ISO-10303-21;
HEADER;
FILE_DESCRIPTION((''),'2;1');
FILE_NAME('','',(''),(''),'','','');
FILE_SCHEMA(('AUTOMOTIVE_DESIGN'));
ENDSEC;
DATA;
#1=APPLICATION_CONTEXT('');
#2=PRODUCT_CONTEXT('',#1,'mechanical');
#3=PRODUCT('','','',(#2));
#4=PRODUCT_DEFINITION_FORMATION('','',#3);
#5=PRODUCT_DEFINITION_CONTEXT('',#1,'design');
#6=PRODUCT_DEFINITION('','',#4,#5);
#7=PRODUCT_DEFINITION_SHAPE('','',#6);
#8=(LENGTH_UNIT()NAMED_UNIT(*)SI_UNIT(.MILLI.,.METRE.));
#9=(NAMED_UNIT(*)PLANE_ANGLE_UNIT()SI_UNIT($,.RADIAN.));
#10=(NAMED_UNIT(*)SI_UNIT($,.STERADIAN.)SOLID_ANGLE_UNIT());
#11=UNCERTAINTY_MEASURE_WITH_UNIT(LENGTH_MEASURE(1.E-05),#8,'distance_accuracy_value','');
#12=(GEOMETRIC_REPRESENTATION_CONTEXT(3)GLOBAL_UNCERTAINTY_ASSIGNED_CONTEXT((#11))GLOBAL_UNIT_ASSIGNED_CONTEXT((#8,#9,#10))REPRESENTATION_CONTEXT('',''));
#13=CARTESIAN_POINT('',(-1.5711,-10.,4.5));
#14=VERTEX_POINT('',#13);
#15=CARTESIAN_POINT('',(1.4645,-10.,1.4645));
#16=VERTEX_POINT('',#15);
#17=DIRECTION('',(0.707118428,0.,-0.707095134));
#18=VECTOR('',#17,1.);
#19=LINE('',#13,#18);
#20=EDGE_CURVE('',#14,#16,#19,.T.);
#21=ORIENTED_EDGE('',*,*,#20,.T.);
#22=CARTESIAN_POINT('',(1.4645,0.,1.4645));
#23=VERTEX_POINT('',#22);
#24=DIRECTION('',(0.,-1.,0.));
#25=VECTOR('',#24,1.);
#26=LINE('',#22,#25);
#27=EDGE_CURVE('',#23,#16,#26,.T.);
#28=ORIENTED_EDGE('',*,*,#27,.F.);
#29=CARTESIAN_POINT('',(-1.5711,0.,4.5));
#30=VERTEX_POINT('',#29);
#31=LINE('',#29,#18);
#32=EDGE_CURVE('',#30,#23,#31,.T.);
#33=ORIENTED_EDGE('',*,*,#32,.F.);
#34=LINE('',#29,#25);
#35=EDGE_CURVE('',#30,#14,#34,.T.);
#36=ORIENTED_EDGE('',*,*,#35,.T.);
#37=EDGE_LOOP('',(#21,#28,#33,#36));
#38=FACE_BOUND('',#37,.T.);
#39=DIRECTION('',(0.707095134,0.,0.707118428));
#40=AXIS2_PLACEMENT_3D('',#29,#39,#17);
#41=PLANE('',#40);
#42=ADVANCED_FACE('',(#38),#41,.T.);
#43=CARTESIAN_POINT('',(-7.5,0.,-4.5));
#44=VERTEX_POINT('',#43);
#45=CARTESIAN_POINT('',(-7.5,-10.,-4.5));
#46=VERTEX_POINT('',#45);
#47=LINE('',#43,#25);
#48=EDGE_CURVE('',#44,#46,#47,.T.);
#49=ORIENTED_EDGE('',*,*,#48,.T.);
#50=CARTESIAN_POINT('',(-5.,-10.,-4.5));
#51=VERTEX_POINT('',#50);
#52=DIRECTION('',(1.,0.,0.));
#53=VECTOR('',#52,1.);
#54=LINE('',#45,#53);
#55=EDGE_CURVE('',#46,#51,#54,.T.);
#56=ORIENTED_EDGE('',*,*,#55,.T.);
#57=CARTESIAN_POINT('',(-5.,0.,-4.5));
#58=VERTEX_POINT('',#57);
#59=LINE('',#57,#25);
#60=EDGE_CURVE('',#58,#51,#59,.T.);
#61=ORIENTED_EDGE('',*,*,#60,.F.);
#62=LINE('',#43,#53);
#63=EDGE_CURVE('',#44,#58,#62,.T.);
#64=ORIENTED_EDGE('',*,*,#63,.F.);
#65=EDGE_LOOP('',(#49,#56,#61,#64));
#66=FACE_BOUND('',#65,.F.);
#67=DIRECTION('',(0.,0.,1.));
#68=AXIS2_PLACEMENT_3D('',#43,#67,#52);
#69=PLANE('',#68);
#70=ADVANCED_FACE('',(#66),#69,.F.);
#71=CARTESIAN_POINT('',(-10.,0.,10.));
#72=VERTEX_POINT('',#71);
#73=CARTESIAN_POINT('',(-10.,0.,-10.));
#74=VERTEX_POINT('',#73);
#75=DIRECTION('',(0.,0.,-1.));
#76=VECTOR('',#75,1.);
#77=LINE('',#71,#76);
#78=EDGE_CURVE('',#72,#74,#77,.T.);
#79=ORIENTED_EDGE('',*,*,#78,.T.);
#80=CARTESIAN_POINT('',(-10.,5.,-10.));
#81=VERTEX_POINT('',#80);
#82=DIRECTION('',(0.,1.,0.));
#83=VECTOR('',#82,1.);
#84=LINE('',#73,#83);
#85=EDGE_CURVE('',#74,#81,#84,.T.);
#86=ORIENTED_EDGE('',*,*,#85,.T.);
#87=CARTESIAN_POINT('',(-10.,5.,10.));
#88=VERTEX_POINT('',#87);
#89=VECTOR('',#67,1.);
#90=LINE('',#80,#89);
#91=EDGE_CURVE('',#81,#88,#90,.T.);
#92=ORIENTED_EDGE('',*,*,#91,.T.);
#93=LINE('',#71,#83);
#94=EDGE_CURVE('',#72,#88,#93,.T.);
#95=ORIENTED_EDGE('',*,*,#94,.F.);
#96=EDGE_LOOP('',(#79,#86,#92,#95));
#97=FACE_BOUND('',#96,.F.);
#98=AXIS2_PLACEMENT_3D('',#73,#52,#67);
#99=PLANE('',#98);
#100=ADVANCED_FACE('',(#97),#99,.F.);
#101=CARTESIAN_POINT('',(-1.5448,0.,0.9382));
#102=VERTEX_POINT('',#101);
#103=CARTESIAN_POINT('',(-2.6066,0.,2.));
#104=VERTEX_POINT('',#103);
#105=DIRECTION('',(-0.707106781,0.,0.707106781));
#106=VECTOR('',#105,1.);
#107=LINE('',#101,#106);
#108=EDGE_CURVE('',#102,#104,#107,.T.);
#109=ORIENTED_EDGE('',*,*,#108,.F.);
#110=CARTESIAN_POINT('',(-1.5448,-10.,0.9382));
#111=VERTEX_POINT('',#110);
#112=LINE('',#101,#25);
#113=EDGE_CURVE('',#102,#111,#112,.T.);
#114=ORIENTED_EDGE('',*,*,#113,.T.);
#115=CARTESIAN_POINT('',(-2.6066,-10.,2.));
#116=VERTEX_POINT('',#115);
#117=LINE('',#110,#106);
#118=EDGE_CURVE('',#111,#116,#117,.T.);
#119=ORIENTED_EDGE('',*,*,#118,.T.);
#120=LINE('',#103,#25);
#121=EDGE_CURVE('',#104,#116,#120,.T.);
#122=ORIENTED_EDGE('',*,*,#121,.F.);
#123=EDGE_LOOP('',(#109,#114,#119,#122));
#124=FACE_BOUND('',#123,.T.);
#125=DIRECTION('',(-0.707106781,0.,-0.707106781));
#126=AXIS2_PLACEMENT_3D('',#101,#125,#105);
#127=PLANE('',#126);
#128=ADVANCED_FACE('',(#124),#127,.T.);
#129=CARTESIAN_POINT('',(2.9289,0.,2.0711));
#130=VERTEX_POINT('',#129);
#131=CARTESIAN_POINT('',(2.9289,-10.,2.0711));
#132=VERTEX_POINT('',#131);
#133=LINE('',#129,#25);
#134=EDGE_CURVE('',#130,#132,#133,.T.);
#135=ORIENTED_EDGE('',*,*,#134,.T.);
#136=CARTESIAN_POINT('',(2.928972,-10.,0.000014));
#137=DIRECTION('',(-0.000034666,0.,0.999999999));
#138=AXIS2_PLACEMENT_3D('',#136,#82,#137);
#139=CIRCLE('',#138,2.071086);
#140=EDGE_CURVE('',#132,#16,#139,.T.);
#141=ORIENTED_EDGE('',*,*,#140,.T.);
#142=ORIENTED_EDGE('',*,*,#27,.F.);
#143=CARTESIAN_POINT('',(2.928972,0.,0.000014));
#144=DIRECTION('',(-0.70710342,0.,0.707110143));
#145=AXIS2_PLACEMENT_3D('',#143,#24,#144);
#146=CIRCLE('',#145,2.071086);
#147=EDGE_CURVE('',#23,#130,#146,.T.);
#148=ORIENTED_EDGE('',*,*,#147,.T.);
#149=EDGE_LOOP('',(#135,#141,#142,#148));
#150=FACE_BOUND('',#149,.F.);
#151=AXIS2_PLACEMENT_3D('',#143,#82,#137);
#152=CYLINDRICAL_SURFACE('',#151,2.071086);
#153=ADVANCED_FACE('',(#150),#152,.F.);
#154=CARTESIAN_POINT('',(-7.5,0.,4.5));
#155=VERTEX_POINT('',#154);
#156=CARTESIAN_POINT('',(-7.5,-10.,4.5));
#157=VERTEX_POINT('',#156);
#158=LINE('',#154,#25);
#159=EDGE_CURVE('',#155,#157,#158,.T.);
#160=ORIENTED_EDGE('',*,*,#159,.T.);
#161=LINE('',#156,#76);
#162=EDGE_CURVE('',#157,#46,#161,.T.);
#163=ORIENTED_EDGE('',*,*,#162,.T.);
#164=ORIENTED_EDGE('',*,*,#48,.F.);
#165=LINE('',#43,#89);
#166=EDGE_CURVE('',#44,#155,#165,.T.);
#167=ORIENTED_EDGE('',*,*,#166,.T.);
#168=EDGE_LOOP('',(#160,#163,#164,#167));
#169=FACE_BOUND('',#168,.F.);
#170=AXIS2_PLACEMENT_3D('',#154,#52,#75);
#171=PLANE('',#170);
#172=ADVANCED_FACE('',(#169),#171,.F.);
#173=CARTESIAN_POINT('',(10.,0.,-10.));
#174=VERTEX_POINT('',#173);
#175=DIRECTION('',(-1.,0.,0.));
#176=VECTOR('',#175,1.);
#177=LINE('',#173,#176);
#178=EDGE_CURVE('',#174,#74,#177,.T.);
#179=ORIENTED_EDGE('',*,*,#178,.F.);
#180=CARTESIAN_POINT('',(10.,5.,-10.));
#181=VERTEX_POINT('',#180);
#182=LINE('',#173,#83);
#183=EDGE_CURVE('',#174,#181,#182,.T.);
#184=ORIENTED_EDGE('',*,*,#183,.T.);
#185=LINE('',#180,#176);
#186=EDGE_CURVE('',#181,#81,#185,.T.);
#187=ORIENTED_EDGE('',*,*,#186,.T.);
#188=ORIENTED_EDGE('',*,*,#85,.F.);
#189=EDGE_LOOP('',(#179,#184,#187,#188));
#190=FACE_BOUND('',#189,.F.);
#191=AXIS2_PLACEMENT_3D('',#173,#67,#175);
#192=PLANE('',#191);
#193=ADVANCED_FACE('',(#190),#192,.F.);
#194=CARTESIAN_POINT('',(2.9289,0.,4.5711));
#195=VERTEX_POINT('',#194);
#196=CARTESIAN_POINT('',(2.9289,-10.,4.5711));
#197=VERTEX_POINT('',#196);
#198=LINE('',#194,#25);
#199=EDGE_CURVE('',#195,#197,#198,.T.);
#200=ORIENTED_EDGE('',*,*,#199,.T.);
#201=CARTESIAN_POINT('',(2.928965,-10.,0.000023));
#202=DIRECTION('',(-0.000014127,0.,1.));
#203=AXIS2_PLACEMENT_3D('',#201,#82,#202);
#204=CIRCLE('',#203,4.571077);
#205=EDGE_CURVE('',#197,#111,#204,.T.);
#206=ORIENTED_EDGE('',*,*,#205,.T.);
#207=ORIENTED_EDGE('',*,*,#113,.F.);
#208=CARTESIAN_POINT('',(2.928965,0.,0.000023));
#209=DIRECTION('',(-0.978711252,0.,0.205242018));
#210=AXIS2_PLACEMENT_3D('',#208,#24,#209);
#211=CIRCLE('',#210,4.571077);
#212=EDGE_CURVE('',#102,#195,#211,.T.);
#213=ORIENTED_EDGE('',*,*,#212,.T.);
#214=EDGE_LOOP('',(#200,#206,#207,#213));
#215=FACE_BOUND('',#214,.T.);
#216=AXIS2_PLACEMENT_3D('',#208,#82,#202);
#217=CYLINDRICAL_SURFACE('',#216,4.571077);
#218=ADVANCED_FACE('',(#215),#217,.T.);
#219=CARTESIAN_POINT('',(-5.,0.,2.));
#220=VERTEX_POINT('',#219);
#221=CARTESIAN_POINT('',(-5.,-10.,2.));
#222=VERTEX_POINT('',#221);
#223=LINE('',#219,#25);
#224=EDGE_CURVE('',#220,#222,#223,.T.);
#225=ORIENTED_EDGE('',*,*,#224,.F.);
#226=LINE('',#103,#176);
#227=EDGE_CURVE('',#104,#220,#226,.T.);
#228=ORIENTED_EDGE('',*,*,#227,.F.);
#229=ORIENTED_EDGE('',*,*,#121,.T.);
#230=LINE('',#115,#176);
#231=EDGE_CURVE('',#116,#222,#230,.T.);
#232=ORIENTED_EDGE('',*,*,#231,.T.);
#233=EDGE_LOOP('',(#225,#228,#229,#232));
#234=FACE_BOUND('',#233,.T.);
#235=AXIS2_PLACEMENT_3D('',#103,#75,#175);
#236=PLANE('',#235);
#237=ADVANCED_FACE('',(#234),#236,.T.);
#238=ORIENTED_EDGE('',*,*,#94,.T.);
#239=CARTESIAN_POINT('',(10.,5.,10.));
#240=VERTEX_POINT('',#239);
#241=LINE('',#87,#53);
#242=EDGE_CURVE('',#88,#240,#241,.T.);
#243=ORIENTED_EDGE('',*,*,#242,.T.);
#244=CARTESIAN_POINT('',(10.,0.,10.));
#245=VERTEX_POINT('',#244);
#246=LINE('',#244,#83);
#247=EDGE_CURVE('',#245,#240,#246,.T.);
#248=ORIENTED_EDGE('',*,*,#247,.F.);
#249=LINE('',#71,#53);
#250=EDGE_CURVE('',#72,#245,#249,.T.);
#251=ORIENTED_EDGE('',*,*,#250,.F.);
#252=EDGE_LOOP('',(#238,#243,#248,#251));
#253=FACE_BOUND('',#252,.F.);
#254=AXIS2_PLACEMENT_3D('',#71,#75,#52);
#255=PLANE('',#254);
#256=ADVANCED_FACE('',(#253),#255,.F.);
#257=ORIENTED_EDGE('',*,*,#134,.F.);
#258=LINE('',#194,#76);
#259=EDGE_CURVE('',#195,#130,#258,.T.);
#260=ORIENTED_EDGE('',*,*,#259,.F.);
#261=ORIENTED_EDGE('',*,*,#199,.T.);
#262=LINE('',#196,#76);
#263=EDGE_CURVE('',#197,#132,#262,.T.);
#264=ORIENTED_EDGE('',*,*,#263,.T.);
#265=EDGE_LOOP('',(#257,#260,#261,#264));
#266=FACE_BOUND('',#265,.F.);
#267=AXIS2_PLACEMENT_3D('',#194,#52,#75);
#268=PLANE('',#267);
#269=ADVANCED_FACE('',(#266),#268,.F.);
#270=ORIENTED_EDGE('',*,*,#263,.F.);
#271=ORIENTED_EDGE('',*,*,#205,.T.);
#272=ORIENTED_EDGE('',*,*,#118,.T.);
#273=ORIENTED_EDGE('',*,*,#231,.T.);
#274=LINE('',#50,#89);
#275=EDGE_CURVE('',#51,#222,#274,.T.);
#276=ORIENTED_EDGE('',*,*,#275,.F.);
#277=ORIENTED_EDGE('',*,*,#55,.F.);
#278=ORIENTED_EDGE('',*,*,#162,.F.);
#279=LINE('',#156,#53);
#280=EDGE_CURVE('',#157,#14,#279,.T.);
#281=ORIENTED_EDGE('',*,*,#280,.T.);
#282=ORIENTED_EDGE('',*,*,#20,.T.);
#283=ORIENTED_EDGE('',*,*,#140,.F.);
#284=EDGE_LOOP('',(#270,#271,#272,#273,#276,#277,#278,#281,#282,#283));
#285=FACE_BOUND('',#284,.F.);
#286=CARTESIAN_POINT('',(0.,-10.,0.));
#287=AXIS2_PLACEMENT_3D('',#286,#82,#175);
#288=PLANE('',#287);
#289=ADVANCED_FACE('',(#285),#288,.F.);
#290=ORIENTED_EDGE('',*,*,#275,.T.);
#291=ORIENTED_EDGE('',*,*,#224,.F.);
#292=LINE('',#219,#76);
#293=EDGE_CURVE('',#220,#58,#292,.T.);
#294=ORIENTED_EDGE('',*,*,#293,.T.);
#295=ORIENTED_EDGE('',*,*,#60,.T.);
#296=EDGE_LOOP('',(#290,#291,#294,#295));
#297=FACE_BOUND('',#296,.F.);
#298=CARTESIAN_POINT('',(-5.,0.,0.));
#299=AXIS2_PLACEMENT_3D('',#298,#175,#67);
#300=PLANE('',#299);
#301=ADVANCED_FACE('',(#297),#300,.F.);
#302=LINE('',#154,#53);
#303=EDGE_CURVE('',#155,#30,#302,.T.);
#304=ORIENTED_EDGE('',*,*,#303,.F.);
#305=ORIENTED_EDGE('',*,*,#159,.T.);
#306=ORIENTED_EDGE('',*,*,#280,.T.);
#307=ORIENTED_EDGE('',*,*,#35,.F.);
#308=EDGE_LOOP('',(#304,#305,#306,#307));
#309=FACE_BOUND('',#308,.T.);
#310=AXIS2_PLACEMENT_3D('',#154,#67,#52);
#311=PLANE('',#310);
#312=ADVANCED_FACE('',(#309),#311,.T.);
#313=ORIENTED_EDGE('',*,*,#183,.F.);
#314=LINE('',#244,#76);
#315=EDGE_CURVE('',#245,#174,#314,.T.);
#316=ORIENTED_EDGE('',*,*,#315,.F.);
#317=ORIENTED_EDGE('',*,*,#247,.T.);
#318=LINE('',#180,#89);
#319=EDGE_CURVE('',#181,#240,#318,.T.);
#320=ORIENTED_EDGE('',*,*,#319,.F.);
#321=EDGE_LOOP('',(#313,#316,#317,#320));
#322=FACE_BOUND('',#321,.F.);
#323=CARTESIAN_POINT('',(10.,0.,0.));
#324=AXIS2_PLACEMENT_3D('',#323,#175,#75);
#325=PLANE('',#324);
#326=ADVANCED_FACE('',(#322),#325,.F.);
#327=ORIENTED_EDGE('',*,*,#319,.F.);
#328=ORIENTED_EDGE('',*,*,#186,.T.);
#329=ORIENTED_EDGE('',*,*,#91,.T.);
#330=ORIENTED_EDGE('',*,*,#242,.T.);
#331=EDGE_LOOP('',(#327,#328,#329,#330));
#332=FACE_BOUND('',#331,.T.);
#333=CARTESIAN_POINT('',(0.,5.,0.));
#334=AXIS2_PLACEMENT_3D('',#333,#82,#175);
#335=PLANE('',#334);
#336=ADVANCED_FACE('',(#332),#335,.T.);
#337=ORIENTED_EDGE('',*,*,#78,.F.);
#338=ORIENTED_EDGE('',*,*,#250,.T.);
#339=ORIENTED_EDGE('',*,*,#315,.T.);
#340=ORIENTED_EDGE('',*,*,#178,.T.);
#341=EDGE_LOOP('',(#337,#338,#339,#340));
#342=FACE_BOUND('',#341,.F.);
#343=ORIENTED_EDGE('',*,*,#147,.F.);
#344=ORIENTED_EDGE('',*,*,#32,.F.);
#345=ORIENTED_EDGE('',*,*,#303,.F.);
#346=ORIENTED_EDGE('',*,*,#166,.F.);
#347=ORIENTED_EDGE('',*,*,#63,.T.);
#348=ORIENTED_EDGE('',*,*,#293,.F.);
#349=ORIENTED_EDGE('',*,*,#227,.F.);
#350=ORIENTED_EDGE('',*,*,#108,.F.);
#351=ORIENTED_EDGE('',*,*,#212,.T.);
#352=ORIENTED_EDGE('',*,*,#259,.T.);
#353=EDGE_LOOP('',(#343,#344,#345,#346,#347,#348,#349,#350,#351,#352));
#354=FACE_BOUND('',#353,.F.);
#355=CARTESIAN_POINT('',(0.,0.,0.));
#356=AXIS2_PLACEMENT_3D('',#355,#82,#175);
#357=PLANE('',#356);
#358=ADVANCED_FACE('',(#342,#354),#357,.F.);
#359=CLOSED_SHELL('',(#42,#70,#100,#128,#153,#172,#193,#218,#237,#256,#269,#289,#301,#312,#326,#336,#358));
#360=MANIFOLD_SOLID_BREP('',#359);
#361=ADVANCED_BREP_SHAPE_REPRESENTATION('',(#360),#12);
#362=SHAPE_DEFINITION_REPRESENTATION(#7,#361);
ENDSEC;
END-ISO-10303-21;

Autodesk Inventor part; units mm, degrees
ref_plane "YZ Plane" through (0, 0, 0) normal (1, 0, 0) x (0, 1, 0)
ref_plane "XZ Plane" through (0, 0, 0) normal (0, 1, 0) x (-1, 0, 0)
ref_plane "XY Plane" through (0, 0, 0) normal (0, 0, 1) x (1, 0, 0)
sketch "Sketch1" plane through (0, 0, 0) normal (0, 1, 0) x (-1, 0, 0)
  line L0 (-10, -10) -> (10, -10)
  line L1 (10, -10) -> (10, 10)
  line L2 (10, 10) -> (-10, 10)
  line L3 (-10, 10) -> (-10, -10)
  line L4 (-10, -10) -> (10, 10) construction
  line L5 (10, -10) -> (-10, 10) construction
  line L6 (7.5, 4.5) -> (7.5, -4.5)
  line L7 (7.5, -4.5) -> (5, -4.5)
  line L8 (5, -4.5) -> (5, 2)
  line L9 (7.5, 4.5) -> (1.5711, 4.5)
  arc A0 (-2.9289, 2.0711) -> (-1.4645, 1.4645) centre (-2.9289, 0) ccw
  line L10 (1.5711, 4.5) -> (-1.4645, 1.4645)
  line L11 (-7.5, 0) -> (-7.5, -3.5066) construction
  line L12 (14, 0) -> (-14, 0) projected
  arc A1 (-2.9289, 4.5711) -> (1.5448, 0.9382) centre (-2.9289, 0) ccw
  line L13 (-2.9289, 4.5711) -> (-2.9289, 2.0711)
  line L14 (1.5448, 0.9382) -> (2.6066, 2)
  line L15 (2.6066, 2) -> (5, 2)
  point P0 (0, 0)
  dimension "d0" = 20
  dimension "d1" = 20
  dimension "d2" = 2.5
  dimension "d3" = 2.5
  dimension "d4" = 2.5
  dimension "d8" = 2.5
  dimension "d9" = 9
  dimension "d10" = 2.5
  dimension "d11" = 2.5
extrude "Extrusion1" add sketch "Sketch1" against normal blind 10 contours A1 L13 A0 L12 | L12 A0 A1 | L12 L8 L15 L14 A1 A0 L10 L9 L6 | L6 L7 L8 L12
extrude "Extrusion2" add sketch "Sketch1" along normal blind 5
properties part number "5"
